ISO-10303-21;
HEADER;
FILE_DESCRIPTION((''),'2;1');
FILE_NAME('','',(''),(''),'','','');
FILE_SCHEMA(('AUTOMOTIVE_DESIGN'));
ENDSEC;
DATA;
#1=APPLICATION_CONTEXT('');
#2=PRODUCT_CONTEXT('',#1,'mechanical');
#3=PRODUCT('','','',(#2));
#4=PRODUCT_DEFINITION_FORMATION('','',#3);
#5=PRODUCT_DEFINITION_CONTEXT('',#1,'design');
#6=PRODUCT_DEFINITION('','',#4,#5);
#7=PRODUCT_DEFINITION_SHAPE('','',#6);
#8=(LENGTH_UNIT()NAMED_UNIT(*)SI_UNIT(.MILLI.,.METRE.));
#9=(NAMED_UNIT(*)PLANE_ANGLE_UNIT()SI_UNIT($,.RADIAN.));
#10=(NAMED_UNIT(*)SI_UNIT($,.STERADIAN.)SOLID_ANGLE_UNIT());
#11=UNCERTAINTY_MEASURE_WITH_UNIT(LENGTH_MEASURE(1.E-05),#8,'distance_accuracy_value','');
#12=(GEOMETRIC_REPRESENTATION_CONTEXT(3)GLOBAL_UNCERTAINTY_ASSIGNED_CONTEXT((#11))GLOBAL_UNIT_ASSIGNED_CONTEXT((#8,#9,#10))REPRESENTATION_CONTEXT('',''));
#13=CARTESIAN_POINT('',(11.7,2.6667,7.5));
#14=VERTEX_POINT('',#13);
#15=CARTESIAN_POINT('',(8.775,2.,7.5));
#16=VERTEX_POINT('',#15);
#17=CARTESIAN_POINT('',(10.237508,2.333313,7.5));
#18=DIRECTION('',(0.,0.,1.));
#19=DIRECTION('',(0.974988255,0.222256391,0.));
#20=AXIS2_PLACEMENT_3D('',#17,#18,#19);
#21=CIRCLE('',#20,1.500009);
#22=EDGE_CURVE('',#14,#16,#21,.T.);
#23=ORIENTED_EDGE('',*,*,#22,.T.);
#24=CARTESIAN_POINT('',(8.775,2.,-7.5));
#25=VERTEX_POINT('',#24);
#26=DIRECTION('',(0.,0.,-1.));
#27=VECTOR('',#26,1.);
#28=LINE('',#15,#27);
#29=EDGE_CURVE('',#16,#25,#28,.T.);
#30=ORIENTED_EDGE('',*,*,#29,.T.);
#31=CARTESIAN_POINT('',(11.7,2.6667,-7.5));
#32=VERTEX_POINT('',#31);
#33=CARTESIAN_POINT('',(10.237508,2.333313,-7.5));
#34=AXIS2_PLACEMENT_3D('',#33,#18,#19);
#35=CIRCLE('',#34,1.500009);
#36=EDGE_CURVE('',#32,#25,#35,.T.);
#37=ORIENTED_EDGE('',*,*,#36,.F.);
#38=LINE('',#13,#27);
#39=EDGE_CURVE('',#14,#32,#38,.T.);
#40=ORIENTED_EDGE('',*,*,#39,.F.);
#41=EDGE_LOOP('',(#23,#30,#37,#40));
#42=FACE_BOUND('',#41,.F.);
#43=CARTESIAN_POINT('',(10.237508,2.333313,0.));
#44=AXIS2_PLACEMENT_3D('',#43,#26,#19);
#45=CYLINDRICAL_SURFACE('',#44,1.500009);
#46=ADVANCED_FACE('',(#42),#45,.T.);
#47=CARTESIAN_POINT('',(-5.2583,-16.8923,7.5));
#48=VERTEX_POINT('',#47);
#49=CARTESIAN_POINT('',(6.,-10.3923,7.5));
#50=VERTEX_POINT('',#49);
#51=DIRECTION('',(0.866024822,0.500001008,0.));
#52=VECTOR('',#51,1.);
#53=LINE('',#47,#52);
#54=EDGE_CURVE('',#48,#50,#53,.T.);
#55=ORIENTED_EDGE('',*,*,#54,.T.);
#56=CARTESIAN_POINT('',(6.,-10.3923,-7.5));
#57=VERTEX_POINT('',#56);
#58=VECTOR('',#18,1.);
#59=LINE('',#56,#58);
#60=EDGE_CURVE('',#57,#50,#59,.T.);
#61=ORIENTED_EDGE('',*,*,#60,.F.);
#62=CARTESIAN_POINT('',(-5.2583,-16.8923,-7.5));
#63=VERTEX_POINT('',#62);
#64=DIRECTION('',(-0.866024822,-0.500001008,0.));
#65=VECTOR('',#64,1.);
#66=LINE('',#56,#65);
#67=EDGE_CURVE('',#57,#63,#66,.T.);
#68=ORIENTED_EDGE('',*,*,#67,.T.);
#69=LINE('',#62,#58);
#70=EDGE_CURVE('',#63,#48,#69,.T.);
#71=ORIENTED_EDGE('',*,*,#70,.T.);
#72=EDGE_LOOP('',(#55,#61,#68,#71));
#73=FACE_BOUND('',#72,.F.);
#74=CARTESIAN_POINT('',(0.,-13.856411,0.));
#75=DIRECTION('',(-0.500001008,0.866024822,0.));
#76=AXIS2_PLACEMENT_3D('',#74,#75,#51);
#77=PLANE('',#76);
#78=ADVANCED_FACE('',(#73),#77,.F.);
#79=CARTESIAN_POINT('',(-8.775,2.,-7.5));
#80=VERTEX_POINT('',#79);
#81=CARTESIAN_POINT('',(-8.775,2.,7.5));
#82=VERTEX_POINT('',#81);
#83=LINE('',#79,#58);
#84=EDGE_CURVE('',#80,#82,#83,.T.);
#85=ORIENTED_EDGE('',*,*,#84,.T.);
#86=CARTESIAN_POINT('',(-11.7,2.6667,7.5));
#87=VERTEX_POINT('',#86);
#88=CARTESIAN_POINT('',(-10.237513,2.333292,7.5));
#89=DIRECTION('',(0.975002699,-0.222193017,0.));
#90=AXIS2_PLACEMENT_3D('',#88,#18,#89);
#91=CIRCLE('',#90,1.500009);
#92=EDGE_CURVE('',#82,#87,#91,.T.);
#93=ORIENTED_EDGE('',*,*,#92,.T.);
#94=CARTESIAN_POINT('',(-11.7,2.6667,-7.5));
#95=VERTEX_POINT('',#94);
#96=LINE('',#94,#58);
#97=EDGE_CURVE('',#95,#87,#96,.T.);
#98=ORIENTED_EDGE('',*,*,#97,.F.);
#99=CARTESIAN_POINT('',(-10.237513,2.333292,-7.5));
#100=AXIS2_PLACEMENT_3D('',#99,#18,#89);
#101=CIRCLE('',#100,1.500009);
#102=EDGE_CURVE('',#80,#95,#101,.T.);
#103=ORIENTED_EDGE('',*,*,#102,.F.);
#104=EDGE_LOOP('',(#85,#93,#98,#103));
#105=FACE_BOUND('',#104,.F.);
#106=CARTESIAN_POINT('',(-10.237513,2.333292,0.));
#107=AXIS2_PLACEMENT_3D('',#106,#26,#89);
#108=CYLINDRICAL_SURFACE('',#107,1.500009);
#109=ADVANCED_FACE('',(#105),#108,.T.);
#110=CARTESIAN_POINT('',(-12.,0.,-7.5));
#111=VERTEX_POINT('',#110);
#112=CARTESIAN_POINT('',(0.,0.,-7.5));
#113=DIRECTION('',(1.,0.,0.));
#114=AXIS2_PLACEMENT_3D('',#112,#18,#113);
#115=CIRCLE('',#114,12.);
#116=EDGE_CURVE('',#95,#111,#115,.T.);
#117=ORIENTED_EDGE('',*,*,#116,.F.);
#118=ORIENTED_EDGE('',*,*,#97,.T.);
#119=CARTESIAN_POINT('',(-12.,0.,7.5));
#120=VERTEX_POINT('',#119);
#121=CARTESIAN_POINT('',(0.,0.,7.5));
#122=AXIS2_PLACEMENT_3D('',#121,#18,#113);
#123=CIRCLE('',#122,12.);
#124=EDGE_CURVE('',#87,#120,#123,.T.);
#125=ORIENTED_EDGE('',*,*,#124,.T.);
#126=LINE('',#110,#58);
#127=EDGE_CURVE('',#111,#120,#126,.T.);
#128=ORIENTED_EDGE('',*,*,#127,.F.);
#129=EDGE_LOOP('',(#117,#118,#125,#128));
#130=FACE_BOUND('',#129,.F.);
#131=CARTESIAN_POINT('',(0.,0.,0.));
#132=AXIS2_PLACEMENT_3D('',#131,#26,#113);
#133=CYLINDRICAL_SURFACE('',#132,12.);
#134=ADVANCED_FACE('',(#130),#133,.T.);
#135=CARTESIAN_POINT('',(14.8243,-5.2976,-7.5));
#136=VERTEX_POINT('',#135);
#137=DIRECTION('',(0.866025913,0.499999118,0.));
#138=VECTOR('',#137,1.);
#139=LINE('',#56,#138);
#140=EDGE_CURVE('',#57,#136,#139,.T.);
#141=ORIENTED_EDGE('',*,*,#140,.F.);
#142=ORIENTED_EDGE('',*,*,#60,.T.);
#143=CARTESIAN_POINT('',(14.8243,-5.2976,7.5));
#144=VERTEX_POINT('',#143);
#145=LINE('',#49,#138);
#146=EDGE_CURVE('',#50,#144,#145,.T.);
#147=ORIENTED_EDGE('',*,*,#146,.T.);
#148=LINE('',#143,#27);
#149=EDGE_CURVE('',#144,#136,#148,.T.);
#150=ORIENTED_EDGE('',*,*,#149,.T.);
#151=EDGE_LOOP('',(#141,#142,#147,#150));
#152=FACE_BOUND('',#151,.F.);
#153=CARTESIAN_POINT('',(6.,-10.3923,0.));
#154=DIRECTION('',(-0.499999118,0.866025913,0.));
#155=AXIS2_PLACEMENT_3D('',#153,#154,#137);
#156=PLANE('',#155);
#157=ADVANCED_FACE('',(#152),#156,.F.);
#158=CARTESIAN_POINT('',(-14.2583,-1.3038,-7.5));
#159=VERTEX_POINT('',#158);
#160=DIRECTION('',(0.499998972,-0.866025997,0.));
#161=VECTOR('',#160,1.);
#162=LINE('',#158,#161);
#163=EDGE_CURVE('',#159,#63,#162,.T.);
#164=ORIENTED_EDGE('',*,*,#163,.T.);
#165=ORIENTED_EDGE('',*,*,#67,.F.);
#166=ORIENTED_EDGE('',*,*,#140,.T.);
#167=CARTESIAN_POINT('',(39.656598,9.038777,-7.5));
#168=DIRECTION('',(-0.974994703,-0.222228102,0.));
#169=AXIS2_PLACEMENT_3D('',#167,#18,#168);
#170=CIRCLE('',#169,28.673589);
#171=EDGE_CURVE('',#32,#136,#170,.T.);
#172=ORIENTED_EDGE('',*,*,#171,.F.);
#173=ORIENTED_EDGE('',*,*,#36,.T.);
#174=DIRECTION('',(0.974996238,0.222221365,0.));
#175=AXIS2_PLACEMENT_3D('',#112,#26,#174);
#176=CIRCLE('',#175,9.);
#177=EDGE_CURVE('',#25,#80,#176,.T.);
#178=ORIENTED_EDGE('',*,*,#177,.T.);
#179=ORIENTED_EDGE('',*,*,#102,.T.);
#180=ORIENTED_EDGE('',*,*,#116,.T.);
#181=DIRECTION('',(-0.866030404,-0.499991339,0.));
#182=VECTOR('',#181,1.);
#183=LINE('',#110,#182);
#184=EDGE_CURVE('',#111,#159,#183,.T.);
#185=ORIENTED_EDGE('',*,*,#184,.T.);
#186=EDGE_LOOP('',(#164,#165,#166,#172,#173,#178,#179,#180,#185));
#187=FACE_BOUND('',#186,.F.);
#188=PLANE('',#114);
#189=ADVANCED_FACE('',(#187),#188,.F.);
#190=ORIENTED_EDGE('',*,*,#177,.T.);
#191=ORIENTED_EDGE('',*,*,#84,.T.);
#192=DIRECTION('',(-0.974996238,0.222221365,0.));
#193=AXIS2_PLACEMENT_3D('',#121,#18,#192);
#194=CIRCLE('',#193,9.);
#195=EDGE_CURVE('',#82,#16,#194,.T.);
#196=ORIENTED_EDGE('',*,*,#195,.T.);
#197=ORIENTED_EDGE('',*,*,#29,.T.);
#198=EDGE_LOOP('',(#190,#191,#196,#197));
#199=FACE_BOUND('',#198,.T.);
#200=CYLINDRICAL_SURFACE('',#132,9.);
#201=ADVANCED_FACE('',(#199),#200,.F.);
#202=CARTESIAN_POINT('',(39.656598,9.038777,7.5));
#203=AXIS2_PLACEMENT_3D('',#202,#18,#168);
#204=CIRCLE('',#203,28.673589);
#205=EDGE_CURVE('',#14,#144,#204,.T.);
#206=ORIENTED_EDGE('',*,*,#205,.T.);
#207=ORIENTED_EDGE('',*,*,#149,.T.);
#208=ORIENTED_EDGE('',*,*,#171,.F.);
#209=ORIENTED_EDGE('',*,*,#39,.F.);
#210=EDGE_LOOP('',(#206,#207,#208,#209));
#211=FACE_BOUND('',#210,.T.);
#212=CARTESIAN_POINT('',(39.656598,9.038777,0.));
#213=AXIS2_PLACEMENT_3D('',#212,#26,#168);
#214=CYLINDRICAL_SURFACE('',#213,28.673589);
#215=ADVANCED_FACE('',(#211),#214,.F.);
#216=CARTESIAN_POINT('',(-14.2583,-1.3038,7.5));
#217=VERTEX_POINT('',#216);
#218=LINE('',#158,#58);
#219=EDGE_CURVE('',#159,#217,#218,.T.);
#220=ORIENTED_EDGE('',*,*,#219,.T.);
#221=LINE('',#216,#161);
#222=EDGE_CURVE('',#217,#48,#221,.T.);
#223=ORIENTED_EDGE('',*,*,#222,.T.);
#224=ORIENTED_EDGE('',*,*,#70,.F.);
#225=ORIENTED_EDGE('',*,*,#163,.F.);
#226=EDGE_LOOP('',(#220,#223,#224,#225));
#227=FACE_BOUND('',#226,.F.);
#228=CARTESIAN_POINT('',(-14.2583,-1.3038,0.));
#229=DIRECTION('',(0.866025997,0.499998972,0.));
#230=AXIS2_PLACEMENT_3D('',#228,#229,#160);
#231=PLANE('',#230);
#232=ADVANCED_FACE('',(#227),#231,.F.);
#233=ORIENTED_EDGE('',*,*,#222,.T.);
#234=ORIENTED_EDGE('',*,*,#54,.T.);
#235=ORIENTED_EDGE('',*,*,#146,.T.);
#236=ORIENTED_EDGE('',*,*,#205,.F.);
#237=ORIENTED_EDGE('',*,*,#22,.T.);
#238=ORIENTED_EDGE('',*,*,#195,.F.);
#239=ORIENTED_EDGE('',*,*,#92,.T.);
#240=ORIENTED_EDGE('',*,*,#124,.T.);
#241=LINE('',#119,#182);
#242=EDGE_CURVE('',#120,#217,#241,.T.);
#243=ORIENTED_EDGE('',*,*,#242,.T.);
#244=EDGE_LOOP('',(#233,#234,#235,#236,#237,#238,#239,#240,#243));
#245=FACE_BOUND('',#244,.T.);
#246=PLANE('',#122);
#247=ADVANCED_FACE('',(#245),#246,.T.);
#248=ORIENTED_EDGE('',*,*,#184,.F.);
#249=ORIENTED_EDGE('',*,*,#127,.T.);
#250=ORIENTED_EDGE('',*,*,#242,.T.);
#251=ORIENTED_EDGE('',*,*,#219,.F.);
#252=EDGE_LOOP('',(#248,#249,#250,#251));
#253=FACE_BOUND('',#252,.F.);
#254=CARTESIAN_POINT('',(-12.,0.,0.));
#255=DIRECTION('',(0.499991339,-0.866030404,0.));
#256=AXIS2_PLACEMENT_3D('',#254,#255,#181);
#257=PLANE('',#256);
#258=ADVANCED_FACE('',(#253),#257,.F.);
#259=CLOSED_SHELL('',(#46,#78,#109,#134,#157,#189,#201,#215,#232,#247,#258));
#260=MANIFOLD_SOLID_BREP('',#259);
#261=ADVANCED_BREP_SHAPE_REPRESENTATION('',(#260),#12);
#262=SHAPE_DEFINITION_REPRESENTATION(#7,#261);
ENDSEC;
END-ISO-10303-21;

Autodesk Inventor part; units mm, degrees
ref_plane "YZ Plane" through (0, 0, 0) normal (1, 0, 0) x (0, 1, 0)
ref_plane "XZ Plane" through (0, 0, 0) normal (0, 1, 0) x (-1, 0, 0)
ref_plane "XY Plane" through (0, 0, 0) normal (0, 0, 1) x (1, 0, 0)
sketch "Skizze1" plane through (0, 0, 0) normal (0, 0, 1) x (1, 0, 0)
  circle A0 centre (0, 0) radius 9
  circle A1 centre (0, 0) radius 12
  arc A2 (-8.775, 2) -> (-11.7, 2.6667) centre (-10.2375, 2.3333) ccw
  arc A3 (11.7, 2.6667) -> (8.775, 2) centre (10.2375, 2.3333) ccw
  line L0 (-12, 0) -> (-14.2583, -1.3038)
  line L1 (-14.2583, -1.3038) -> (-5.2583, -16.8923)
  line L2 (-5.2583, -16.8923) -> (6, -10.3923)
  line L3 (0, -22.6708) -> (0, 17.7785) projected
  line L4 (6, -10.3923) -> (14.8243, -5.2976)
  arc A4 (11.7, 2.6667) -> (14.8243, -5.2976) centre (39.6544, 9.0381) ccw
  dimension "d0" = 18
  dimension "d1" = 3
  dimension "d2" = 2
  dimension "d4" = 18
  dimension "d5" = 13
  dimension "d6" = 120
extrude "Extrusion1" add sketch "Skizze1" along normal mid plane 15 contours A0 A3 A1 L3 | L3 A1 A2 A0 | A4 L4 A1 | L3 L2 L1 L0 A1 | A1 L2 L3 picked at (10.9126, -0.8316) picked at (-1.5575, -10.8245)
properties part number "baztholder_3D-Druck"
